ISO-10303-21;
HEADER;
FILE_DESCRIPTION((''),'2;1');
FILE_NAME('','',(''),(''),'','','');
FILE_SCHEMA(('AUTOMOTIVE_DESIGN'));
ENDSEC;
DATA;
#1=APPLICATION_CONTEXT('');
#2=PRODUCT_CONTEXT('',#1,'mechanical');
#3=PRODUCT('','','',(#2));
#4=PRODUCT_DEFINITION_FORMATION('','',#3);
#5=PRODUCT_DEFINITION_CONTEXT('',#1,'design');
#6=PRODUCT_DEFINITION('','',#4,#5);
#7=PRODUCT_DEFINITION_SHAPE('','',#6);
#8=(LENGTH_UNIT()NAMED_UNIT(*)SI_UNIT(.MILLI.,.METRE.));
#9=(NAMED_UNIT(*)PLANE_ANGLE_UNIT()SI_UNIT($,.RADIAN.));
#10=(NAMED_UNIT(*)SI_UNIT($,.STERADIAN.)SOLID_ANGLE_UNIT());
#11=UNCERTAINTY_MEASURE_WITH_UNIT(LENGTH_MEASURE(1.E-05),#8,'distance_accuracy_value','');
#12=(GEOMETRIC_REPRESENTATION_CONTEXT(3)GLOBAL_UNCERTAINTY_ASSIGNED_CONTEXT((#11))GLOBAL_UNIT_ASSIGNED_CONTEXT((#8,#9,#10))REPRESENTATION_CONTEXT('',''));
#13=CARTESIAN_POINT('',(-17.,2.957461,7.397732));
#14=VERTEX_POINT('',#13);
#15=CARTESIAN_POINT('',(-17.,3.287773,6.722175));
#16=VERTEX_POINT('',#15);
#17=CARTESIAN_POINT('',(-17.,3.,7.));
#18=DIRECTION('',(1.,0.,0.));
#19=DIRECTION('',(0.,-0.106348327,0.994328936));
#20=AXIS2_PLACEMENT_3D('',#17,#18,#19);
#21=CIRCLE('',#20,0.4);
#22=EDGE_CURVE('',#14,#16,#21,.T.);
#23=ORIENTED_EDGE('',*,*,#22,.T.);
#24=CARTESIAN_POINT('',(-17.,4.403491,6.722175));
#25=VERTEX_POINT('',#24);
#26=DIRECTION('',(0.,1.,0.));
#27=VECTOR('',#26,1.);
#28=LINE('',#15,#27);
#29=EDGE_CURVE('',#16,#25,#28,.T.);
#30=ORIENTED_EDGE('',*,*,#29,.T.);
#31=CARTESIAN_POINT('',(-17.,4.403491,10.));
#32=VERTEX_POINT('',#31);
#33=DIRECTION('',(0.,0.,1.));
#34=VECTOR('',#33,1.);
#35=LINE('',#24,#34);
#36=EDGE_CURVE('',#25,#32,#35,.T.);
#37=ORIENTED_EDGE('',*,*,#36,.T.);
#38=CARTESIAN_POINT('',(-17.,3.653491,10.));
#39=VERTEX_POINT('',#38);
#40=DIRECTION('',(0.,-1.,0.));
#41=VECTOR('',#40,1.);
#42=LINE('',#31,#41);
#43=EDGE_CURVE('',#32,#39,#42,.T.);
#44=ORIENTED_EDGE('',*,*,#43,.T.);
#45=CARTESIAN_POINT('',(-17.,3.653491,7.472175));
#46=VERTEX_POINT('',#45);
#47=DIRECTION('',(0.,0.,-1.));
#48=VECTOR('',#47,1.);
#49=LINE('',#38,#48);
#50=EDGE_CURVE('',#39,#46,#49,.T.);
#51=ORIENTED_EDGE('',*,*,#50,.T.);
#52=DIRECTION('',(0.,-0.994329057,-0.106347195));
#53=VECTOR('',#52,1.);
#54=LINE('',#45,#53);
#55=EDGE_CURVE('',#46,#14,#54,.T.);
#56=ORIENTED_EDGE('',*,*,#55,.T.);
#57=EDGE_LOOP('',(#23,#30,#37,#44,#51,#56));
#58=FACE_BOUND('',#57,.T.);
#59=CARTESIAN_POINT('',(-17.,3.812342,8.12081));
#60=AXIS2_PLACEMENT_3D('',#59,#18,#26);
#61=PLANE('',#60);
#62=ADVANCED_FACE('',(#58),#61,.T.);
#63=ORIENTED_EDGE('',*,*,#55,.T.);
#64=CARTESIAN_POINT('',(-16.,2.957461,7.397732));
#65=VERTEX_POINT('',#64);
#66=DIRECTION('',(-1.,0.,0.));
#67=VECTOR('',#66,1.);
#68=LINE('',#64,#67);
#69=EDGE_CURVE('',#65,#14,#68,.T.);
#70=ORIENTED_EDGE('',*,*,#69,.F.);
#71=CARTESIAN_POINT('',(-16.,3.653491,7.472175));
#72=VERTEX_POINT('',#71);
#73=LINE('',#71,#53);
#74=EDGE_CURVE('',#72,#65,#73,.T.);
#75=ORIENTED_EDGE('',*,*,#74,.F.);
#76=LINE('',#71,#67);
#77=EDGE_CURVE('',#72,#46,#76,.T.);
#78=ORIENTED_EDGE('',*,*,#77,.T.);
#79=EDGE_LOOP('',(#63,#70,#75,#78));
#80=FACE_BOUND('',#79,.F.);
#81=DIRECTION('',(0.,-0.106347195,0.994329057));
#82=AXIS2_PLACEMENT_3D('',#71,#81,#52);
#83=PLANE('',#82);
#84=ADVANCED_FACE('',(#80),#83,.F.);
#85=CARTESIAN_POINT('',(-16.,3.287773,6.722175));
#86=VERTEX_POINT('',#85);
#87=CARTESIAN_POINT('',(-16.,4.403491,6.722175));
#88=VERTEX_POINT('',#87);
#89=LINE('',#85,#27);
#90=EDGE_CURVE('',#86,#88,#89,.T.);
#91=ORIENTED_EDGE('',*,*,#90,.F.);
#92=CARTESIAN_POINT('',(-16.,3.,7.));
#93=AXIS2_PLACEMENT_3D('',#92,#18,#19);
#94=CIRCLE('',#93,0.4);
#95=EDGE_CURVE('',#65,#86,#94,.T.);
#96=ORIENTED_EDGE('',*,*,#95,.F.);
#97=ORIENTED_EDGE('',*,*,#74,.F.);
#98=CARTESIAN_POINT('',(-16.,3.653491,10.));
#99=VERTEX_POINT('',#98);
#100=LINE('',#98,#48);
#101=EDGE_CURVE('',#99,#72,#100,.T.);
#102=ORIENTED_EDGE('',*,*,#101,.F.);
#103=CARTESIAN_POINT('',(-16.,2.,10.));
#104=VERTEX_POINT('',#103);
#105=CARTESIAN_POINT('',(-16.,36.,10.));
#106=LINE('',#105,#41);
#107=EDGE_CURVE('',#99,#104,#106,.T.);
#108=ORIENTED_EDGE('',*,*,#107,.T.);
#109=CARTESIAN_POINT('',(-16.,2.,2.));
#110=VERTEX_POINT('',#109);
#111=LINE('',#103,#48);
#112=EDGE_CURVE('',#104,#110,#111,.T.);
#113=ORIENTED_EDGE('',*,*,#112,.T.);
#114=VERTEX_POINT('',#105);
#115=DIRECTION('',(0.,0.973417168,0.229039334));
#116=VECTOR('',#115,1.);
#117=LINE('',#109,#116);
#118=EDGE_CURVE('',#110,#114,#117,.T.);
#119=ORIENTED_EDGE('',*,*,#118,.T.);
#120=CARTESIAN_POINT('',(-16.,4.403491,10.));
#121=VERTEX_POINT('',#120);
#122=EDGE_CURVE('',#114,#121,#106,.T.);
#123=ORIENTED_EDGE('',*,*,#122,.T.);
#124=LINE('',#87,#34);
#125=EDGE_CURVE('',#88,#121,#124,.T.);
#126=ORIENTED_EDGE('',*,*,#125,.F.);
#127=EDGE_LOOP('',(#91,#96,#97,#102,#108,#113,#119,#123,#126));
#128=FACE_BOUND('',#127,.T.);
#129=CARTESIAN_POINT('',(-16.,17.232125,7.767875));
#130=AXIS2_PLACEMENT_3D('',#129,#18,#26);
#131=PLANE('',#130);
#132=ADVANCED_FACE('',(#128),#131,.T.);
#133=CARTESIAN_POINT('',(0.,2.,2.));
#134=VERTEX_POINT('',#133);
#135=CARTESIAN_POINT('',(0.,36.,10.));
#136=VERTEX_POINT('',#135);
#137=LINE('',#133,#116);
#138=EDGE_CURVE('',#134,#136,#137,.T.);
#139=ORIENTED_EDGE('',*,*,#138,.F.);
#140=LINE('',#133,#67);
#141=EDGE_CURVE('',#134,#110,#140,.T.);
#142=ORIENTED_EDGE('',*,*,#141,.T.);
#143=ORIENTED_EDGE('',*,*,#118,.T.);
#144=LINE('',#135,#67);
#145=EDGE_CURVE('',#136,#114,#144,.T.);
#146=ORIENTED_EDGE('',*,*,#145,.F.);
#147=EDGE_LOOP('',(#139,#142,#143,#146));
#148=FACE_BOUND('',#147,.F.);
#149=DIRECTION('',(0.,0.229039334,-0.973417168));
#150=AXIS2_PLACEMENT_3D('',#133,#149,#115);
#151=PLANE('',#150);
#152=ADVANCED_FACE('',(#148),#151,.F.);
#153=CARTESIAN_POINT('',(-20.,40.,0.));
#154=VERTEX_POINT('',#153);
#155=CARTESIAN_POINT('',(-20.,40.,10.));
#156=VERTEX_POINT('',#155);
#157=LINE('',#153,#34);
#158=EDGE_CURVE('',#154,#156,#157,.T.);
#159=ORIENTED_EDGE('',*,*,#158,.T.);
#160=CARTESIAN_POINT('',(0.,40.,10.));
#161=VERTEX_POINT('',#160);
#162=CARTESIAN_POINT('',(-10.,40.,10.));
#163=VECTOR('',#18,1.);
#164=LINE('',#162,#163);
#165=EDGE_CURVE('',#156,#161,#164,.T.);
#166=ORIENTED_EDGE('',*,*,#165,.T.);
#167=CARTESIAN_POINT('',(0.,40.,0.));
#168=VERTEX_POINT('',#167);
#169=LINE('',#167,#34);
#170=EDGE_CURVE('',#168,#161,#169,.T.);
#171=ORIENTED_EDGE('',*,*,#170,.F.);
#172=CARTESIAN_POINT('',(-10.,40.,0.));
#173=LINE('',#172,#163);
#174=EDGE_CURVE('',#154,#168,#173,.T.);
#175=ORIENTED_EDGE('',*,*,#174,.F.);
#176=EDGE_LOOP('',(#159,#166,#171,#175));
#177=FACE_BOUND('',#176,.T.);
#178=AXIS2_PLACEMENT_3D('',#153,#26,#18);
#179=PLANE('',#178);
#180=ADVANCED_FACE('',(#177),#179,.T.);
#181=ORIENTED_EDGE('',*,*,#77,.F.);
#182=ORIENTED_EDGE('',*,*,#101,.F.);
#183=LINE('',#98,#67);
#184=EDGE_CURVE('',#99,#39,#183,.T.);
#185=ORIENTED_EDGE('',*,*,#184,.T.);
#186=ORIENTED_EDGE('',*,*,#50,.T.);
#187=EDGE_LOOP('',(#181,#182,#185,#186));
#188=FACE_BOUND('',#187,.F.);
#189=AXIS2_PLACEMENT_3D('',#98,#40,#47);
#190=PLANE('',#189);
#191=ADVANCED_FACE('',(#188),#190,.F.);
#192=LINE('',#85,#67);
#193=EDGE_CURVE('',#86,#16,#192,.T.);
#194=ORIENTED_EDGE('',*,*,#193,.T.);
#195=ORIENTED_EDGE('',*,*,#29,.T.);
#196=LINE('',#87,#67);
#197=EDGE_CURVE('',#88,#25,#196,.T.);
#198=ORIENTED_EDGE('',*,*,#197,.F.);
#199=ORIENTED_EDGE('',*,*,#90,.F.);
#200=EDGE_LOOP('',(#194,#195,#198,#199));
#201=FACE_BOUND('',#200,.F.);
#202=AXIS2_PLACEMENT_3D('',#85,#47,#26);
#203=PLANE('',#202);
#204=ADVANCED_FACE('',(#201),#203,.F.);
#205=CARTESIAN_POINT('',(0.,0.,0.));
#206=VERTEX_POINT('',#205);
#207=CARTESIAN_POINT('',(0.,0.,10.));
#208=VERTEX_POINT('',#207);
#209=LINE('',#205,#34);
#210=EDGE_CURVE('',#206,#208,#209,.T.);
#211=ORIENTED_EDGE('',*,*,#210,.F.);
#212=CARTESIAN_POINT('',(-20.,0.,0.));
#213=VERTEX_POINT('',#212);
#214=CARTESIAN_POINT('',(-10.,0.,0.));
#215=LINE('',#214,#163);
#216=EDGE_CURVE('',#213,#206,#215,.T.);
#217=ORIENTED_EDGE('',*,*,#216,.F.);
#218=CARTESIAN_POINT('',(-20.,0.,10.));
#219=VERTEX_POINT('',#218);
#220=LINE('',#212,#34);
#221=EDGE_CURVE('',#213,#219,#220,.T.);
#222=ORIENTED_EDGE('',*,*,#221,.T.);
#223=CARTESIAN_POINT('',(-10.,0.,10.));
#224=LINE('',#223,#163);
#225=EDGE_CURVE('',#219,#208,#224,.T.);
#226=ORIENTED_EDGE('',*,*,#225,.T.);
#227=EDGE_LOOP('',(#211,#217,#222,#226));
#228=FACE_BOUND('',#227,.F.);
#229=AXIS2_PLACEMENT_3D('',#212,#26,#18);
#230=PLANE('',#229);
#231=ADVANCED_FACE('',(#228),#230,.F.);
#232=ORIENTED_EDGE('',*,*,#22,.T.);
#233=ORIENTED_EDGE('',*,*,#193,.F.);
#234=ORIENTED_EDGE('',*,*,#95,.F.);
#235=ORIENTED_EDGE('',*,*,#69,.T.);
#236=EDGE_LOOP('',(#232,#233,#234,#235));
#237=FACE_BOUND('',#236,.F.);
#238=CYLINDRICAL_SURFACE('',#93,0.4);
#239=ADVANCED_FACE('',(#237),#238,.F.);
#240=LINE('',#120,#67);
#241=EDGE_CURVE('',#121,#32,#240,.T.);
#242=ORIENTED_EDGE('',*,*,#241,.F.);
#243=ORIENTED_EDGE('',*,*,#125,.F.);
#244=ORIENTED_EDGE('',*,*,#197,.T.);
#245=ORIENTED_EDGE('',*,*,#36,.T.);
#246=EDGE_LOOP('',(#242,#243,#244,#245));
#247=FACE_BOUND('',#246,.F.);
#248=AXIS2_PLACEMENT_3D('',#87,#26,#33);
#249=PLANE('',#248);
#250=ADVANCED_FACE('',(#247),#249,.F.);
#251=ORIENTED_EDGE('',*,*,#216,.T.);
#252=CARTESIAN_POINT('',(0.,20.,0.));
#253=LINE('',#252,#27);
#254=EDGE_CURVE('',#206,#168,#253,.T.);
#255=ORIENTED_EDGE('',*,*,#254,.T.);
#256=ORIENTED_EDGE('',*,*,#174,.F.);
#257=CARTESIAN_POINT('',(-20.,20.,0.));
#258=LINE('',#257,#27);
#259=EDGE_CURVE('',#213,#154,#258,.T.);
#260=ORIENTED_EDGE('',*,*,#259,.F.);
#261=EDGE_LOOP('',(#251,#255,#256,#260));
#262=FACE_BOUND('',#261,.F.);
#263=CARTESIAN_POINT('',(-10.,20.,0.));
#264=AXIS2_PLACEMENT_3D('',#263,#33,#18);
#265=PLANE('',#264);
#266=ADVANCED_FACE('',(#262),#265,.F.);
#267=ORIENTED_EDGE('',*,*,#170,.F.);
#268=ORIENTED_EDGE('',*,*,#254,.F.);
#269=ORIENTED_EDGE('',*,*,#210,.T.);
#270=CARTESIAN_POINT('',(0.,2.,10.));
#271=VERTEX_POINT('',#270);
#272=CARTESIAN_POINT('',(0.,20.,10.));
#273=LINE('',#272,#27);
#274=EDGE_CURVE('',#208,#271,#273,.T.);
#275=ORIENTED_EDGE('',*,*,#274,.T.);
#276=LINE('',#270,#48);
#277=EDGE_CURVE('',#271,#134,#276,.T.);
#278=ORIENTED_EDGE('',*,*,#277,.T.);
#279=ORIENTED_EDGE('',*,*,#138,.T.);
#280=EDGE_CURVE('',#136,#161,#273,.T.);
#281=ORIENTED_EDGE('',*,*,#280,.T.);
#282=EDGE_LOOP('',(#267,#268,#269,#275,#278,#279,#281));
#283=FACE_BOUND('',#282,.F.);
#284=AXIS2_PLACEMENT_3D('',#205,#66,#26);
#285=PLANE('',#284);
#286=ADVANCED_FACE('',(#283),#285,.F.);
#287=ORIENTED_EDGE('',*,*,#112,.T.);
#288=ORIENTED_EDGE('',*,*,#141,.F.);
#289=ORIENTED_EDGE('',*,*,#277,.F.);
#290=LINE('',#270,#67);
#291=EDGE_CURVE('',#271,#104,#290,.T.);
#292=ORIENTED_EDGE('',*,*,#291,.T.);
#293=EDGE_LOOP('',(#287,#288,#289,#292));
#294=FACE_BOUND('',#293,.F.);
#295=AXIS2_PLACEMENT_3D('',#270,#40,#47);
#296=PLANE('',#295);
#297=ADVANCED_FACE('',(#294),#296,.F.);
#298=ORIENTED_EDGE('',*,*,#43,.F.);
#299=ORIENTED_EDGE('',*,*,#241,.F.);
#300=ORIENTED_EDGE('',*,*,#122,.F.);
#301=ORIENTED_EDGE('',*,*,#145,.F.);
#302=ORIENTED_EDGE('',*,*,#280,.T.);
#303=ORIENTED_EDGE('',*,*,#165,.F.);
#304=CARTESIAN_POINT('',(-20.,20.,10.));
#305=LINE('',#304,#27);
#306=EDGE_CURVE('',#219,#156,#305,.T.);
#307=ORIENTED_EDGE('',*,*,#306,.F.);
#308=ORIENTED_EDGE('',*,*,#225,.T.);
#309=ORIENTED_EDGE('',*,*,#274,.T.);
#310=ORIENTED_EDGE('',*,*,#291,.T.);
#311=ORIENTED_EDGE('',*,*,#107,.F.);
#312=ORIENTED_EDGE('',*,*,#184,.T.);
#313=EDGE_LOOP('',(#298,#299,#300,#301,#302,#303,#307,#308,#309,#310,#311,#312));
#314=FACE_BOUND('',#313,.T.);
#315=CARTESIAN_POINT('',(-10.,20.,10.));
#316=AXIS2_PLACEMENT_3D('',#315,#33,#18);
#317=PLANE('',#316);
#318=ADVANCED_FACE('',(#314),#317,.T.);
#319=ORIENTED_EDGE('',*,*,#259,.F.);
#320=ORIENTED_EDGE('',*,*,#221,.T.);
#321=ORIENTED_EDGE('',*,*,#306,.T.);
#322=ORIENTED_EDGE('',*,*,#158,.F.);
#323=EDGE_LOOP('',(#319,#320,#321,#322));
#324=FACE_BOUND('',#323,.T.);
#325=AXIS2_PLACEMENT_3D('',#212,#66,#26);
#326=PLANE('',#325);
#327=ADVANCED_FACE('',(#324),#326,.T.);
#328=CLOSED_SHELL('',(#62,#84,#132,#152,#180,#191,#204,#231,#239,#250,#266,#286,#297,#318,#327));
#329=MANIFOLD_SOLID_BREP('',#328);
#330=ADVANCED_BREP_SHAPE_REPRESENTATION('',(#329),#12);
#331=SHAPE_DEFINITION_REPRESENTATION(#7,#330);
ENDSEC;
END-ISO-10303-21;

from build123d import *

# Parameters (mm, degrees)
F0_W     = 20
F0_H     = 40
F1_DEPTH = 10
F3_DEPTH = 16
F5_DEPTH = 1


with BuildPart() as f1:
    # F0 (on Top) → F1 (new body)
    with BuildSketch(Plane.XY):
        with Locations((-10, 20)):
            Rectangle(F0_W, F0_H)
    extrude(amount=F1_DEPTH)

    # F2 (on face) → F3 (cut)
    with BuildSketch(Plane.YZ):
        Polygon((2, 2), (36, 10), (2, 10), align=None)
    extrude(amount=-F3_DEPTH, mode=Mode.SUBTRACT)

    # F4 (on face) → F5 (cut)
    with BuildSketch(Plane.YZ.offset(-16)):
        with BuildLine():
            Line((4.403491, 10), (3.653491, 10))
            Line((3.653491, 10), (3.653491, 7.472175))
            Line((3.653491, 7.472175), (2.957461, 7.397732))
            ThreePointArc((2.957461, 7.397732), (2.640655, 6.824299), (3.287773, 6.722175))
            Line((3.287773, 6.722175), (4.403491, 6.722175))
            Line((4.403491, 6.722175), (4.403491, 10))
        make_face()
    extrude(amount=-F5_DEPTH, mode=Mode.SUBTRACT)


solid = f1.part
